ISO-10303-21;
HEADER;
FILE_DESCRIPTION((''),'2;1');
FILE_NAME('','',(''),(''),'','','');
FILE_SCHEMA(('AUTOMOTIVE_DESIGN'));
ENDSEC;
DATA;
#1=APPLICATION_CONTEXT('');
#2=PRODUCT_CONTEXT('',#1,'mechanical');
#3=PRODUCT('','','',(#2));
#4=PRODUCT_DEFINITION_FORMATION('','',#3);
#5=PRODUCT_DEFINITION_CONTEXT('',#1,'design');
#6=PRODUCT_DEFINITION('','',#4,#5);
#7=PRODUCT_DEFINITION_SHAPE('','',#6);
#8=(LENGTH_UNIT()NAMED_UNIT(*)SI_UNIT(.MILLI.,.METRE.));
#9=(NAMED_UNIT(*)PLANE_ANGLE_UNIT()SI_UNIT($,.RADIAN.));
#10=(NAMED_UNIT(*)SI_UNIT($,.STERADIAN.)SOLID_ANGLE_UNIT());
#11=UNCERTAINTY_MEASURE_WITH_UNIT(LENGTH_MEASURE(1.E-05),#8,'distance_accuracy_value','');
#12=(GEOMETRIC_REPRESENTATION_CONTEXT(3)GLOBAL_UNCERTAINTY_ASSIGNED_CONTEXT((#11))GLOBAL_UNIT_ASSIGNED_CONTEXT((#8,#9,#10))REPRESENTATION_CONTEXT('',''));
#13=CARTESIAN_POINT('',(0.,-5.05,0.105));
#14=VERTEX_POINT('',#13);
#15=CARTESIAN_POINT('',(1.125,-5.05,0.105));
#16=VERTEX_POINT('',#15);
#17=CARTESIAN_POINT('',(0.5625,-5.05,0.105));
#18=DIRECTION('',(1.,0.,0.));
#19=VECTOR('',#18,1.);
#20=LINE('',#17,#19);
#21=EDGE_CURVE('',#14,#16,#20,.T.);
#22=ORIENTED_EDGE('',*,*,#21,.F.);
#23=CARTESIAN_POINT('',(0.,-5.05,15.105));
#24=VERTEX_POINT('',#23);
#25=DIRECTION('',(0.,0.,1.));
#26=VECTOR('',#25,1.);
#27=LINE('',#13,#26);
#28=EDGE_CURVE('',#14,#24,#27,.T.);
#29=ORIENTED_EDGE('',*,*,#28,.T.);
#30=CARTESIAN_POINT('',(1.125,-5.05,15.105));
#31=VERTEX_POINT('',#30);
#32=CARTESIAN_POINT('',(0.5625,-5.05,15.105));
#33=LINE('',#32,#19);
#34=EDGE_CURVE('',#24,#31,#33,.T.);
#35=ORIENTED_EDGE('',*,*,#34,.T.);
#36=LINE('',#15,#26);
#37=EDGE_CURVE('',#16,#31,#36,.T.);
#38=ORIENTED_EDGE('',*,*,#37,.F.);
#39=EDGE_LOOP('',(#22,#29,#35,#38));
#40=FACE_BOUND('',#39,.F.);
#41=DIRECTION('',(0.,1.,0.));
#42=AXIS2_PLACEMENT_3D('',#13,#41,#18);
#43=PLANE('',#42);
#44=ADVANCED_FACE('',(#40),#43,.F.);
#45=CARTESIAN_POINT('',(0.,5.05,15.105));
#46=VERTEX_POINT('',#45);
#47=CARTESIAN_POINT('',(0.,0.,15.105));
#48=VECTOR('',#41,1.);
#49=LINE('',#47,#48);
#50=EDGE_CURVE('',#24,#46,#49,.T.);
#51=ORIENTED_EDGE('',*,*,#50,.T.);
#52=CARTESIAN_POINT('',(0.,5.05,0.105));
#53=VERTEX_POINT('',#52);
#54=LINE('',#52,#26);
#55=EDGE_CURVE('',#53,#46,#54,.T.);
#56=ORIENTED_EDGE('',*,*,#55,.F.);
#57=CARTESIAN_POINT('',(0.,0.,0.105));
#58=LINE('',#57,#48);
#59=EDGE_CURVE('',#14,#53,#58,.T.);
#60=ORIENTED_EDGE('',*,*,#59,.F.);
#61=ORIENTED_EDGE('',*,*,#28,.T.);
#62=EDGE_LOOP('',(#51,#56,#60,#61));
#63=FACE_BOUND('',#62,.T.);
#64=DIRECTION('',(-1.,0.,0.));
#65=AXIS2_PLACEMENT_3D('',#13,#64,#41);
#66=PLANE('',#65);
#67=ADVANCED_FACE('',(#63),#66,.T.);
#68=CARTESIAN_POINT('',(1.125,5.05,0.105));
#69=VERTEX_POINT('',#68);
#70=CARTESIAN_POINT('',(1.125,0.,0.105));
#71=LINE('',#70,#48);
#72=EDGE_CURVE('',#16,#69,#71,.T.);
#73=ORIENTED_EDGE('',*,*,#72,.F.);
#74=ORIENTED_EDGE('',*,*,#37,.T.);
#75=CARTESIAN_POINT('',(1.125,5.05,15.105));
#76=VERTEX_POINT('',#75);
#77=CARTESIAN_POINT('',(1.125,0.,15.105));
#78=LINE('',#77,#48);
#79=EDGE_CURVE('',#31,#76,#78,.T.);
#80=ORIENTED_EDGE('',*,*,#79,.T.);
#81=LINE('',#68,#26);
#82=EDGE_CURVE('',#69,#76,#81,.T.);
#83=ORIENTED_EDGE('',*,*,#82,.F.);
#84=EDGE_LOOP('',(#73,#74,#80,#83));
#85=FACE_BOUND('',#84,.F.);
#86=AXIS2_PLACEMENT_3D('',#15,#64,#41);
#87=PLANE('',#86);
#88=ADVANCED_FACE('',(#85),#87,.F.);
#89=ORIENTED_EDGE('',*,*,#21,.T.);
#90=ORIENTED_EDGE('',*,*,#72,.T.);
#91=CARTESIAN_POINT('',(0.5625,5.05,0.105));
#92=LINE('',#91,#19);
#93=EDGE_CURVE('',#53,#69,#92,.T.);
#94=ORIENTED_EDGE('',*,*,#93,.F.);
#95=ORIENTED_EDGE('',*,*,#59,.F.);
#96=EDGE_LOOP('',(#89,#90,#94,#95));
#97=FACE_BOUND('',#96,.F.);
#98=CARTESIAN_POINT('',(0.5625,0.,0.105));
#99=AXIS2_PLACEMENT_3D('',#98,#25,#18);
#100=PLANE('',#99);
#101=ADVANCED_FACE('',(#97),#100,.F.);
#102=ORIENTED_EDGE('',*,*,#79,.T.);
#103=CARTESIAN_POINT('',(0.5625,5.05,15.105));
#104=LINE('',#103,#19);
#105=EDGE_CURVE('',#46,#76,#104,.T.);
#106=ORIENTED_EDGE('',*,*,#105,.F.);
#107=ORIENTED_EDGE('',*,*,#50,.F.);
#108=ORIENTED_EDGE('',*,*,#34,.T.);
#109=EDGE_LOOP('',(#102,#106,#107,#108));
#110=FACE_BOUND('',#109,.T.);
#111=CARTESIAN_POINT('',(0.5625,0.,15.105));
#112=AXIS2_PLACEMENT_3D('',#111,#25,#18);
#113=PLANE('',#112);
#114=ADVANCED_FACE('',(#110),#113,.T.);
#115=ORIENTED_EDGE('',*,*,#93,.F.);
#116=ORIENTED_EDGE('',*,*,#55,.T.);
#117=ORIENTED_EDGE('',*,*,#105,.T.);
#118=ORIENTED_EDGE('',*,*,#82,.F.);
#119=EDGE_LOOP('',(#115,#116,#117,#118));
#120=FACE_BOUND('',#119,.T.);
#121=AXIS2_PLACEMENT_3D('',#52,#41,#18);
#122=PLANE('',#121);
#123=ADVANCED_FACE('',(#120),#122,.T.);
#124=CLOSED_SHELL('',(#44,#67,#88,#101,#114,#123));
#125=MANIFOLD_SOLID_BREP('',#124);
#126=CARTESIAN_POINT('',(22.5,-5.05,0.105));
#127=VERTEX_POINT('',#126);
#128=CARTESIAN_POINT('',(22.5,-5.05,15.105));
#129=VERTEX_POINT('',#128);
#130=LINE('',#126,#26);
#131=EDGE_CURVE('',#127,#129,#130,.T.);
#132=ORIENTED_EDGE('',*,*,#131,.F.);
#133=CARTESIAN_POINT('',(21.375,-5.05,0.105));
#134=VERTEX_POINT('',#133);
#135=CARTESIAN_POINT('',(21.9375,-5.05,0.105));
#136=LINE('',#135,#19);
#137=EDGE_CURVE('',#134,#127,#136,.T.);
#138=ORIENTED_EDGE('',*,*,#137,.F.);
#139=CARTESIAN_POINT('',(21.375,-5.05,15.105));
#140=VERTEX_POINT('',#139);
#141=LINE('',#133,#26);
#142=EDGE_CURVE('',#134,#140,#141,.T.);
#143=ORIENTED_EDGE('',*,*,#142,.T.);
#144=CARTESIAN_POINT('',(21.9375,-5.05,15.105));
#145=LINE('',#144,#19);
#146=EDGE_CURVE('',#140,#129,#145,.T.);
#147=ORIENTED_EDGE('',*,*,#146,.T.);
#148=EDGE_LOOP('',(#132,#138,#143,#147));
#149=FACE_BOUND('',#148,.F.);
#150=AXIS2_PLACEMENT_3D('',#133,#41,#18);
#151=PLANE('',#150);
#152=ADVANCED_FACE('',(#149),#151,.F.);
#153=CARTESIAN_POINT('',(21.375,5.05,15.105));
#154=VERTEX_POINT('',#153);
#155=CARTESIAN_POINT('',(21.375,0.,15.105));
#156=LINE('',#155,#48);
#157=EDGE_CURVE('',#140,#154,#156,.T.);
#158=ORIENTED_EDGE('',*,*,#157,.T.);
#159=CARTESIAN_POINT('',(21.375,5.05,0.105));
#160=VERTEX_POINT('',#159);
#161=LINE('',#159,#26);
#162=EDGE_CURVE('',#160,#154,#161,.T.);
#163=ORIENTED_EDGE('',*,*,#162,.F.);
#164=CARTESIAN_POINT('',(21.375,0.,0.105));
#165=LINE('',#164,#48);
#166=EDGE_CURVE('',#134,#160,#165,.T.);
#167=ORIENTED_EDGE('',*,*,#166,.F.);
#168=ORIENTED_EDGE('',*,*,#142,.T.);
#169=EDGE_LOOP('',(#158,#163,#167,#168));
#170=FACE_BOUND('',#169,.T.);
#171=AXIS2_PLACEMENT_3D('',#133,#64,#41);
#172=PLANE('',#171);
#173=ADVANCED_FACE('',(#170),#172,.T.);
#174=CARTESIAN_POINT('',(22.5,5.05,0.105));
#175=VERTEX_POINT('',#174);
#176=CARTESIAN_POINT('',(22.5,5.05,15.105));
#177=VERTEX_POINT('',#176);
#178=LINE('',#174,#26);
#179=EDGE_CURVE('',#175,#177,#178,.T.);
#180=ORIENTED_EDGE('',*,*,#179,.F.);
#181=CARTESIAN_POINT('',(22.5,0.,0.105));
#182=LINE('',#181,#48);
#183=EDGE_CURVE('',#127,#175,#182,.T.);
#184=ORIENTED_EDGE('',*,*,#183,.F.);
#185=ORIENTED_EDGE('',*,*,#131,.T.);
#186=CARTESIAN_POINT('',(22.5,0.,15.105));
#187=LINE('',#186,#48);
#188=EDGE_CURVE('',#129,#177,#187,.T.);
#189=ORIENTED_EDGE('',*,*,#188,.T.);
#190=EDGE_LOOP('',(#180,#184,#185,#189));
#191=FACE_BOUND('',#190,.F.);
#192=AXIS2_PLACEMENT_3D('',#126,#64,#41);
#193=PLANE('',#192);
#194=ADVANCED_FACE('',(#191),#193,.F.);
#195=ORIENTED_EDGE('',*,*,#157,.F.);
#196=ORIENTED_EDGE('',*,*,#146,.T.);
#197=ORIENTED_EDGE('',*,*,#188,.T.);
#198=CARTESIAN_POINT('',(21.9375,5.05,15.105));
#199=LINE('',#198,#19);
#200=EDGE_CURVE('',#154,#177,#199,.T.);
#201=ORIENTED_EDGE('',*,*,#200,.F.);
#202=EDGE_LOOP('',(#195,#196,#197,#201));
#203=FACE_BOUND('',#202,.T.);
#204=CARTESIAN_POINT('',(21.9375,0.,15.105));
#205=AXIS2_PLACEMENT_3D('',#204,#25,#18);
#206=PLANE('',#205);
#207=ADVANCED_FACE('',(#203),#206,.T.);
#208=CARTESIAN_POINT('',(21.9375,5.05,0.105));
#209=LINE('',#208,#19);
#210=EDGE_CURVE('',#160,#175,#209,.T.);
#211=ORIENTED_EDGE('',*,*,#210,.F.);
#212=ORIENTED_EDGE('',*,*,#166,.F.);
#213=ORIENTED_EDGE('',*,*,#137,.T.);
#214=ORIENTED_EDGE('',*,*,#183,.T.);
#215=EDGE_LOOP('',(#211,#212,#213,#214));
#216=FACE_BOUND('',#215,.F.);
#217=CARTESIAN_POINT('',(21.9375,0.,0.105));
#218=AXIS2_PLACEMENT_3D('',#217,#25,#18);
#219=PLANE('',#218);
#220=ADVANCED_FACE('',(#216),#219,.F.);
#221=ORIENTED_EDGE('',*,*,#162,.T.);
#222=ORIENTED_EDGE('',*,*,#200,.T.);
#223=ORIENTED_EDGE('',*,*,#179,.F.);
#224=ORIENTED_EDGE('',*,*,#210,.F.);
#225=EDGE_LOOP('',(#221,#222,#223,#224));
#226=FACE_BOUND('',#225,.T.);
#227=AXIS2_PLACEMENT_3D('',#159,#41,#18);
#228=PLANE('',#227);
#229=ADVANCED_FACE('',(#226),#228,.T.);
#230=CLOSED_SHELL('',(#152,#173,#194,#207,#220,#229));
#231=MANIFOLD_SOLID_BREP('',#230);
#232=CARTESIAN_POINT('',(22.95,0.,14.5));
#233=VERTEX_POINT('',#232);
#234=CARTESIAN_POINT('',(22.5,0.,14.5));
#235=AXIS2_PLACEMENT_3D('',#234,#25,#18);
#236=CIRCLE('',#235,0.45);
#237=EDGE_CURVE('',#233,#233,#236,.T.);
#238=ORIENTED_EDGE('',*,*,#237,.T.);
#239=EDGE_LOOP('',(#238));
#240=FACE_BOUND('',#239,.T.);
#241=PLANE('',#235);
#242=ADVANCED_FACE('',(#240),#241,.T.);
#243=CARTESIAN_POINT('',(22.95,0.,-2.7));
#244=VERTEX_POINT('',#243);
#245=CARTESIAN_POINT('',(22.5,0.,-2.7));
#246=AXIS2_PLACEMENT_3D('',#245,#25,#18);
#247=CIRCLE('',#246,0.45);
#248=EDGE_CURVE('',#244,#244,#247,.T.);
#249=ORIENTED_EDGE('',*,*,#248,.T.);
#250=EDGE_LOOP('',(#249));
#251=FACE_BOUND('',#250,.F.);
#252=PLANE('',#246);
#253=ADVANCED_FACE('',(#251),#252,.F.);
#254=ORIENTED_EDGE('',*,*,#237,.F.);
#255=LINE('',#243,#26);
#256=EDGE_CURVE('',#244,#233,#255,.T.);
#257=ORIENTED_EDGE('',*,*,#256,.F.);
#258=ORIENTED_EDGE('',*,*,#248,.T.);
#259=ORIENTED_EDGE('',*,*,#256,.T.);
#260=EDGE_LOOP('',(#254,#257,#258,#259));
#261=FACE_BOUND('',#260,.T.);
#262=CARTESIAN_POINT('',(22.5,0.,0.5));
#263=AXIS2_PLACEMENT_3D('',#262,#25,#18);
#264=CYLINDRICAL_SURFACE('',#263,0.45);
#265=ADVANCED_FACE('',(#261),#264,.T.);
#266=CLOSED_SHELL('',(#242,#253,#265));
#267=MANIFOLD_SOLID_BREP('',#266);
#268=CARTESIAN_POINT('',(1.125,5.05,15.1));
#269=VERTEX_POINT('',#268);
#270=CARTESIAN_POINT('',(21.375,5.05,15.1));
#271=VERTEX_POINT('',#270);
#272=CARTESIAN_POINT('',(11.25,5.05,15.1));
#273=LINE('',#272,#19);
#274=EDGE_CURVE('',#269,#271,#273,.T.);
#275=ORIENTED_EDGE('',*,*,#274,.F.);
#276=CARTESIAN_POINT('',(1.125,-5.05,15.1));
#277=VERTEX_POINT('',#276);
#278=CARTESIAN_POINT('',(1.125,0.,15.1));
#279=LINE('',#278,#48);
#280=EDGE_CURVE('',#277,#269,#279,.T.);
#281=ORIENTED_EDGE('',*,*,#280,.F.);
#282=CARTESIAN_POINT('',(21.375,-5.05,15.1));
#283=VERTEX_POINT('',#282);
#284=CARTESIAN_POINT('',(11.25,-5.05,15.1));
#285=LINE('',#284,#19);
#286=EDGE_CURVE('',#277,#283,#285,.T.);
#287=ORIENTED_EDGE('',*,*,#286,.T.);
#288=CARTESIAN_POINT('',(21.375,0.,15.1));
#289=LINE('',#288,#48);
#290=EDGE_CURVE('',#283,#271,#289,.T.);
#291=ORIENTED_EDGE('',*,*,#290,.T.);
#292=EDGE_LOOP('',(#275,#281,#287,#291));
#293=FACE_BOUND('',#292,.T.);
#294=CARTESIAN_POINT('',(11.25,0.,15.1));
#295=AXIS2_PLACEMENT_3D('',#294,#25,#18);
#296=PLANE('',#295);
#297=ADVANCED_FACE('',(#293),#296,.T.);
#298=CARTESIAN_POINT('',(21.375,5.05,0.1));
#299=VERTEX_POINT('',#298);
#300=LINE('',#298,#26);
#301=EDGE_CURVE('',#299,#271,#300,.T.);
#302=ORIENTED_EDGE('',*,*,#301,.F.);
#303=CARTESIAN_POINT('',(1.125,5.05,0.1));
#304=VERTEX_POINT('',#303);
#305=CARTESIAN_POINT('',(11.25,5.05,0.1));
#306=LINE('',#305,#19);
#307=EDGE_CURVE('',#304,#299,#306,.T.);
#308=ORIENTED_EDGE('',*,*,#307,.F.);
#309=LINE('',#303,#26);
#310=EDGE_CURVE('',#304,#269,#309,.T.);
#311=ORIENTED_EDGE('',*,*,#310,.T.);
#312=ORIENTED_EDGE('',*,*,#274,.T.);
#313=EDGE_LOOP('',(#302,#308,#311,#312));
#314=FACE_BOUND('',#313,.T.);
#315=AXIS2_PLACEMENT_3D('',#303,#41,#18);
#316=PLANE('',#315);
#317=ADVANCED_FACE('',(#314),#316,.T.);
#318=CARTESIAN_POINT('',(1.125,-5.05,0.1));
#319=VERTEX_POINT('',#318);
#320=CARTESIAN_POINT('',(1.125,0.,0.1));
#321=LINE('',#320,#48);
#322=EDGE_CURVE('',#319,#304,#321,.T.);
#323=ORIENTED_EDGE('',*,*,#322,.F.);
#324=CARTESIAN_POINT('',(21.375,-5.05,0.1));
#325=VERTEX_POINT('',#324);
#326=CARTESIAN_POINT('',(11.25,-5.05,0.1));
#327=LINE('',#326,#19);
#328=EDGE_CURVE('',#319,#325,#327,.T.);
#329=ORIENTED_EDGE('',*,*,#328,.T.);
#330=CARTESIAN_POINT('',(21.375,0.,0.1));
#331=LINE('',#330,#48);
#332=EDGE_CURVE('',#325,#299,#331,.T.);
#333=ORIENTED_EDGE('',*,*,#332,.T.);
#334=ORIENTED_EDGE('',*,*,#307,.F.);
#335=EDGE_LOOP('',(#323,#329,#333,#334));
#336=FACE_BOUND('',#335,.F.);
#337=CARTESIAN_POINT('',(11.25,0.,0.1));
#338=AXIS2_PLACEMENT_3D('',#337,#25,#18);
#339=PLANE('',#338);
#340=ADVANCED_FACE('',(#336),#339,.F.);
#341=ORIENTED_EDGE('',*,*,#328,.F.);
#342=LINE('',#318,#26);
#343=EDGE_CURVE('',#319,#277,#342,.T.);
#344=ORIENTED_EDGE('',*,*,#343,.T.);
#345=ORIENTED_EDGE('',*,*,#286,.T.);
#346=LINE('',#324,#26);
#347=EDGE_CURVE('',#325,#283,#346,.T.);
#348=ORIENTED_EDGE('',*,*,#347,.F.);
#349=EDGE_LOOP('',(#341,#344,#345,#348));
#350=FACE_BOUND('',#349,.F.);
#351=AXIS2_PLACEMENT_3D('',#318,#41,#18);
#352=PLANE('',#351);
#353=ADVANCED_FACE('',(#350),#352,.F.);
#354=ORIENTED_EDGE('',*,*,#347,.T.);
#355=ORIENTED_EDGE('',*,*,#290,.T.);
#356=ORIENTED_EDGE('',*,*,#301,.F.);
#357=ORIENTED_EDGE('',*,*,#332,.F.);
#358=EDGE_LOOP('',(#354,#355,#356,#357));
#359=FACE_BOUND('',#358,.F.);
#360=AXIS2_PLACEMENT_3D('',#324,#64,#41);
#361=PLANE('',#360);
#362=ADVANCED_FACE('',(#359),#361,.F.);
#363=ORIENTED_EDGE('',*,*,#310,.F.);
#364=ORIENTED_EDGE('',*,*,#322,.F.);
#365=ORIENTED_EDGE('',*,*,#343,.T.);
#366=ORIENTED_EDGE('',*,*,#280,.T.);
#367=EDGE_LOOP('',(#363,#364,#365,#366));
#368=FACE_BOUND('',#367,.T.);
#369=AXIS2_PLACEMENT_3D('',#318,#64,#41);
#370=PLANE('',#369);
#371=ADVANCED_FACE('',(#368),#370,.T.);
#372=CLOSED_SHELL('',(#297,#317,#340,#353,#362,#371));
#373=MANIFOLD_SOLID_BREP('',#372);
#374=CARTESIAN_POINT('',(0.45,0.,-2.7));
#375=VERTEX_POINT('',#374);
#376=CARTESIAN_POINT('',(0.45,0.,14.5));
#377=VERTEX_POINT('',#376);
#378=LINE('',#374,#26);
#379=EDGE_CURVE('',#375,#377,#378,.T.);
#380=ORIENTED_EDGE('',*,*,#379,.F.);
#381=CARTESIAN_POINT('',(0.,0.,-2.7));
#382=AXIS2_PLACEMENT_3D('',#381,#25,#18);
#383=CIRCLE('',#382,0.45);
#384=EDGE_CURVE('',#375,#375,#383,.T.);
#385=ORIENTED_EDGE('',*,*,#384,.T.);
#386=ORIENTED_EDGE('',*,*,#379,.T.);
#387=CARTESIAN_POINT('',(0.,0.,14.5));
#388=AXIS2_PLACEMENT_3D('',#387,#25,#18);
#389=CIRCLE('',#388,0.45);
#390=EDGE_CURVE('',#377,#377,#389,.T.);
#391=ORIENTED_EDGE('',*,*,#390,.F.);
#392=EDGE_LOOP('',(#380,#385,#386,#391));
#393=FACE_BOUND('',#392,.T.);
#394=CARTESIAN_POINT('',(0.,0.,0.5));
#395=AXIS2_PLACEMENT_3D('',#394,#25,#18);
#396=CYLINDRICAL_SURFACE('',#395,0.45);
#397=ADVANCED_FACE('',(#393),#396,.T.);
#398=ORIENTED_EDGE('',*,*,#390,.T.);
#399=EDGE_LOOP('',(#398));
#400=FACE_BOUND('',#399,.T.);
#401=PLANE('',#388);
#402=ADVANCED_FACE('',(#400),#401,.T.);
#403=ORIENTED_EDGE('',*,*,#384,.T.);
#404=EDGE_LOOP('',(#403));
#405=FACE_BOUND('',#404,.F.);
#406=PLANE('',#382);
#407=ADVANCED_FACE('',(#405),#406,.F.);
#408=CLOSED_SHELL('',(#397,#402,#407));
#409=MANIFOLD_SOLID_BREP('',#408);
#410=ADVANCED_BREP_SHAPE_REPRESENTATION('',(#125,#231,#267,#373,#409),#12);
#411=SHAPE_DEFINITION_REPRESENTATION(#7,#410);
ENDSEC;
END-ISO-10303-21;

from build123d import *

# Parameters (mm, degrees)
SKETCH_W          = 20.25
SKETCH_H          = 10.1
PAD_DEPTH         = 15
SKETCH001_R       = 0.45
PAD001_DEPTH      = 14
PAD001_DEPTH_BACK = 3.2
SKETCH002_W       = 1.125
SKETCH002_H       = 10.1
PAD002_DEPTH      = 15


with BuildPart() as pad:
    # Sketch → Pad (new body)
    with BuildSketch(Plane.XY.offset(0.1)):
        with Locations((11.25, 0)):
            Rectangle(SKETCH_W, SKETCH_H)
    extrude(amount=PAD_DEPTH)


with BuildPart() as pad001:
    # Sketch001 → Pad001 (new body, two sides)
    with BuildSketch(Plane.XY.offset(0.5)) as pad001_sk:
        Circle(SKETCH001_R)
        with Locations((22.5, 0)):
            Circle(SKETCH001_R)
    extrude(amount=PAD001_DEPTH)
    extrude(pad001_sk.sketch, amount=-PAD001_DEPTH_BACK)


with BuildPart() as pad002:
    # Sketch002 → Pad002 (new body)
    with BuildSketch(Plane.XY.offset(0.105)):
        with Locations((0.5625, 0)):
            Rectangle(SKETCH002_W, SKETCH002_H)
        with Locations((21.9375, 0)):
            Rectangle(SKETCH002_W, SKETCH002_H)
    extrude(amount=PAD002_DEPTH)


solid = Compound([pad.part, pad001.part, pad002.part])
